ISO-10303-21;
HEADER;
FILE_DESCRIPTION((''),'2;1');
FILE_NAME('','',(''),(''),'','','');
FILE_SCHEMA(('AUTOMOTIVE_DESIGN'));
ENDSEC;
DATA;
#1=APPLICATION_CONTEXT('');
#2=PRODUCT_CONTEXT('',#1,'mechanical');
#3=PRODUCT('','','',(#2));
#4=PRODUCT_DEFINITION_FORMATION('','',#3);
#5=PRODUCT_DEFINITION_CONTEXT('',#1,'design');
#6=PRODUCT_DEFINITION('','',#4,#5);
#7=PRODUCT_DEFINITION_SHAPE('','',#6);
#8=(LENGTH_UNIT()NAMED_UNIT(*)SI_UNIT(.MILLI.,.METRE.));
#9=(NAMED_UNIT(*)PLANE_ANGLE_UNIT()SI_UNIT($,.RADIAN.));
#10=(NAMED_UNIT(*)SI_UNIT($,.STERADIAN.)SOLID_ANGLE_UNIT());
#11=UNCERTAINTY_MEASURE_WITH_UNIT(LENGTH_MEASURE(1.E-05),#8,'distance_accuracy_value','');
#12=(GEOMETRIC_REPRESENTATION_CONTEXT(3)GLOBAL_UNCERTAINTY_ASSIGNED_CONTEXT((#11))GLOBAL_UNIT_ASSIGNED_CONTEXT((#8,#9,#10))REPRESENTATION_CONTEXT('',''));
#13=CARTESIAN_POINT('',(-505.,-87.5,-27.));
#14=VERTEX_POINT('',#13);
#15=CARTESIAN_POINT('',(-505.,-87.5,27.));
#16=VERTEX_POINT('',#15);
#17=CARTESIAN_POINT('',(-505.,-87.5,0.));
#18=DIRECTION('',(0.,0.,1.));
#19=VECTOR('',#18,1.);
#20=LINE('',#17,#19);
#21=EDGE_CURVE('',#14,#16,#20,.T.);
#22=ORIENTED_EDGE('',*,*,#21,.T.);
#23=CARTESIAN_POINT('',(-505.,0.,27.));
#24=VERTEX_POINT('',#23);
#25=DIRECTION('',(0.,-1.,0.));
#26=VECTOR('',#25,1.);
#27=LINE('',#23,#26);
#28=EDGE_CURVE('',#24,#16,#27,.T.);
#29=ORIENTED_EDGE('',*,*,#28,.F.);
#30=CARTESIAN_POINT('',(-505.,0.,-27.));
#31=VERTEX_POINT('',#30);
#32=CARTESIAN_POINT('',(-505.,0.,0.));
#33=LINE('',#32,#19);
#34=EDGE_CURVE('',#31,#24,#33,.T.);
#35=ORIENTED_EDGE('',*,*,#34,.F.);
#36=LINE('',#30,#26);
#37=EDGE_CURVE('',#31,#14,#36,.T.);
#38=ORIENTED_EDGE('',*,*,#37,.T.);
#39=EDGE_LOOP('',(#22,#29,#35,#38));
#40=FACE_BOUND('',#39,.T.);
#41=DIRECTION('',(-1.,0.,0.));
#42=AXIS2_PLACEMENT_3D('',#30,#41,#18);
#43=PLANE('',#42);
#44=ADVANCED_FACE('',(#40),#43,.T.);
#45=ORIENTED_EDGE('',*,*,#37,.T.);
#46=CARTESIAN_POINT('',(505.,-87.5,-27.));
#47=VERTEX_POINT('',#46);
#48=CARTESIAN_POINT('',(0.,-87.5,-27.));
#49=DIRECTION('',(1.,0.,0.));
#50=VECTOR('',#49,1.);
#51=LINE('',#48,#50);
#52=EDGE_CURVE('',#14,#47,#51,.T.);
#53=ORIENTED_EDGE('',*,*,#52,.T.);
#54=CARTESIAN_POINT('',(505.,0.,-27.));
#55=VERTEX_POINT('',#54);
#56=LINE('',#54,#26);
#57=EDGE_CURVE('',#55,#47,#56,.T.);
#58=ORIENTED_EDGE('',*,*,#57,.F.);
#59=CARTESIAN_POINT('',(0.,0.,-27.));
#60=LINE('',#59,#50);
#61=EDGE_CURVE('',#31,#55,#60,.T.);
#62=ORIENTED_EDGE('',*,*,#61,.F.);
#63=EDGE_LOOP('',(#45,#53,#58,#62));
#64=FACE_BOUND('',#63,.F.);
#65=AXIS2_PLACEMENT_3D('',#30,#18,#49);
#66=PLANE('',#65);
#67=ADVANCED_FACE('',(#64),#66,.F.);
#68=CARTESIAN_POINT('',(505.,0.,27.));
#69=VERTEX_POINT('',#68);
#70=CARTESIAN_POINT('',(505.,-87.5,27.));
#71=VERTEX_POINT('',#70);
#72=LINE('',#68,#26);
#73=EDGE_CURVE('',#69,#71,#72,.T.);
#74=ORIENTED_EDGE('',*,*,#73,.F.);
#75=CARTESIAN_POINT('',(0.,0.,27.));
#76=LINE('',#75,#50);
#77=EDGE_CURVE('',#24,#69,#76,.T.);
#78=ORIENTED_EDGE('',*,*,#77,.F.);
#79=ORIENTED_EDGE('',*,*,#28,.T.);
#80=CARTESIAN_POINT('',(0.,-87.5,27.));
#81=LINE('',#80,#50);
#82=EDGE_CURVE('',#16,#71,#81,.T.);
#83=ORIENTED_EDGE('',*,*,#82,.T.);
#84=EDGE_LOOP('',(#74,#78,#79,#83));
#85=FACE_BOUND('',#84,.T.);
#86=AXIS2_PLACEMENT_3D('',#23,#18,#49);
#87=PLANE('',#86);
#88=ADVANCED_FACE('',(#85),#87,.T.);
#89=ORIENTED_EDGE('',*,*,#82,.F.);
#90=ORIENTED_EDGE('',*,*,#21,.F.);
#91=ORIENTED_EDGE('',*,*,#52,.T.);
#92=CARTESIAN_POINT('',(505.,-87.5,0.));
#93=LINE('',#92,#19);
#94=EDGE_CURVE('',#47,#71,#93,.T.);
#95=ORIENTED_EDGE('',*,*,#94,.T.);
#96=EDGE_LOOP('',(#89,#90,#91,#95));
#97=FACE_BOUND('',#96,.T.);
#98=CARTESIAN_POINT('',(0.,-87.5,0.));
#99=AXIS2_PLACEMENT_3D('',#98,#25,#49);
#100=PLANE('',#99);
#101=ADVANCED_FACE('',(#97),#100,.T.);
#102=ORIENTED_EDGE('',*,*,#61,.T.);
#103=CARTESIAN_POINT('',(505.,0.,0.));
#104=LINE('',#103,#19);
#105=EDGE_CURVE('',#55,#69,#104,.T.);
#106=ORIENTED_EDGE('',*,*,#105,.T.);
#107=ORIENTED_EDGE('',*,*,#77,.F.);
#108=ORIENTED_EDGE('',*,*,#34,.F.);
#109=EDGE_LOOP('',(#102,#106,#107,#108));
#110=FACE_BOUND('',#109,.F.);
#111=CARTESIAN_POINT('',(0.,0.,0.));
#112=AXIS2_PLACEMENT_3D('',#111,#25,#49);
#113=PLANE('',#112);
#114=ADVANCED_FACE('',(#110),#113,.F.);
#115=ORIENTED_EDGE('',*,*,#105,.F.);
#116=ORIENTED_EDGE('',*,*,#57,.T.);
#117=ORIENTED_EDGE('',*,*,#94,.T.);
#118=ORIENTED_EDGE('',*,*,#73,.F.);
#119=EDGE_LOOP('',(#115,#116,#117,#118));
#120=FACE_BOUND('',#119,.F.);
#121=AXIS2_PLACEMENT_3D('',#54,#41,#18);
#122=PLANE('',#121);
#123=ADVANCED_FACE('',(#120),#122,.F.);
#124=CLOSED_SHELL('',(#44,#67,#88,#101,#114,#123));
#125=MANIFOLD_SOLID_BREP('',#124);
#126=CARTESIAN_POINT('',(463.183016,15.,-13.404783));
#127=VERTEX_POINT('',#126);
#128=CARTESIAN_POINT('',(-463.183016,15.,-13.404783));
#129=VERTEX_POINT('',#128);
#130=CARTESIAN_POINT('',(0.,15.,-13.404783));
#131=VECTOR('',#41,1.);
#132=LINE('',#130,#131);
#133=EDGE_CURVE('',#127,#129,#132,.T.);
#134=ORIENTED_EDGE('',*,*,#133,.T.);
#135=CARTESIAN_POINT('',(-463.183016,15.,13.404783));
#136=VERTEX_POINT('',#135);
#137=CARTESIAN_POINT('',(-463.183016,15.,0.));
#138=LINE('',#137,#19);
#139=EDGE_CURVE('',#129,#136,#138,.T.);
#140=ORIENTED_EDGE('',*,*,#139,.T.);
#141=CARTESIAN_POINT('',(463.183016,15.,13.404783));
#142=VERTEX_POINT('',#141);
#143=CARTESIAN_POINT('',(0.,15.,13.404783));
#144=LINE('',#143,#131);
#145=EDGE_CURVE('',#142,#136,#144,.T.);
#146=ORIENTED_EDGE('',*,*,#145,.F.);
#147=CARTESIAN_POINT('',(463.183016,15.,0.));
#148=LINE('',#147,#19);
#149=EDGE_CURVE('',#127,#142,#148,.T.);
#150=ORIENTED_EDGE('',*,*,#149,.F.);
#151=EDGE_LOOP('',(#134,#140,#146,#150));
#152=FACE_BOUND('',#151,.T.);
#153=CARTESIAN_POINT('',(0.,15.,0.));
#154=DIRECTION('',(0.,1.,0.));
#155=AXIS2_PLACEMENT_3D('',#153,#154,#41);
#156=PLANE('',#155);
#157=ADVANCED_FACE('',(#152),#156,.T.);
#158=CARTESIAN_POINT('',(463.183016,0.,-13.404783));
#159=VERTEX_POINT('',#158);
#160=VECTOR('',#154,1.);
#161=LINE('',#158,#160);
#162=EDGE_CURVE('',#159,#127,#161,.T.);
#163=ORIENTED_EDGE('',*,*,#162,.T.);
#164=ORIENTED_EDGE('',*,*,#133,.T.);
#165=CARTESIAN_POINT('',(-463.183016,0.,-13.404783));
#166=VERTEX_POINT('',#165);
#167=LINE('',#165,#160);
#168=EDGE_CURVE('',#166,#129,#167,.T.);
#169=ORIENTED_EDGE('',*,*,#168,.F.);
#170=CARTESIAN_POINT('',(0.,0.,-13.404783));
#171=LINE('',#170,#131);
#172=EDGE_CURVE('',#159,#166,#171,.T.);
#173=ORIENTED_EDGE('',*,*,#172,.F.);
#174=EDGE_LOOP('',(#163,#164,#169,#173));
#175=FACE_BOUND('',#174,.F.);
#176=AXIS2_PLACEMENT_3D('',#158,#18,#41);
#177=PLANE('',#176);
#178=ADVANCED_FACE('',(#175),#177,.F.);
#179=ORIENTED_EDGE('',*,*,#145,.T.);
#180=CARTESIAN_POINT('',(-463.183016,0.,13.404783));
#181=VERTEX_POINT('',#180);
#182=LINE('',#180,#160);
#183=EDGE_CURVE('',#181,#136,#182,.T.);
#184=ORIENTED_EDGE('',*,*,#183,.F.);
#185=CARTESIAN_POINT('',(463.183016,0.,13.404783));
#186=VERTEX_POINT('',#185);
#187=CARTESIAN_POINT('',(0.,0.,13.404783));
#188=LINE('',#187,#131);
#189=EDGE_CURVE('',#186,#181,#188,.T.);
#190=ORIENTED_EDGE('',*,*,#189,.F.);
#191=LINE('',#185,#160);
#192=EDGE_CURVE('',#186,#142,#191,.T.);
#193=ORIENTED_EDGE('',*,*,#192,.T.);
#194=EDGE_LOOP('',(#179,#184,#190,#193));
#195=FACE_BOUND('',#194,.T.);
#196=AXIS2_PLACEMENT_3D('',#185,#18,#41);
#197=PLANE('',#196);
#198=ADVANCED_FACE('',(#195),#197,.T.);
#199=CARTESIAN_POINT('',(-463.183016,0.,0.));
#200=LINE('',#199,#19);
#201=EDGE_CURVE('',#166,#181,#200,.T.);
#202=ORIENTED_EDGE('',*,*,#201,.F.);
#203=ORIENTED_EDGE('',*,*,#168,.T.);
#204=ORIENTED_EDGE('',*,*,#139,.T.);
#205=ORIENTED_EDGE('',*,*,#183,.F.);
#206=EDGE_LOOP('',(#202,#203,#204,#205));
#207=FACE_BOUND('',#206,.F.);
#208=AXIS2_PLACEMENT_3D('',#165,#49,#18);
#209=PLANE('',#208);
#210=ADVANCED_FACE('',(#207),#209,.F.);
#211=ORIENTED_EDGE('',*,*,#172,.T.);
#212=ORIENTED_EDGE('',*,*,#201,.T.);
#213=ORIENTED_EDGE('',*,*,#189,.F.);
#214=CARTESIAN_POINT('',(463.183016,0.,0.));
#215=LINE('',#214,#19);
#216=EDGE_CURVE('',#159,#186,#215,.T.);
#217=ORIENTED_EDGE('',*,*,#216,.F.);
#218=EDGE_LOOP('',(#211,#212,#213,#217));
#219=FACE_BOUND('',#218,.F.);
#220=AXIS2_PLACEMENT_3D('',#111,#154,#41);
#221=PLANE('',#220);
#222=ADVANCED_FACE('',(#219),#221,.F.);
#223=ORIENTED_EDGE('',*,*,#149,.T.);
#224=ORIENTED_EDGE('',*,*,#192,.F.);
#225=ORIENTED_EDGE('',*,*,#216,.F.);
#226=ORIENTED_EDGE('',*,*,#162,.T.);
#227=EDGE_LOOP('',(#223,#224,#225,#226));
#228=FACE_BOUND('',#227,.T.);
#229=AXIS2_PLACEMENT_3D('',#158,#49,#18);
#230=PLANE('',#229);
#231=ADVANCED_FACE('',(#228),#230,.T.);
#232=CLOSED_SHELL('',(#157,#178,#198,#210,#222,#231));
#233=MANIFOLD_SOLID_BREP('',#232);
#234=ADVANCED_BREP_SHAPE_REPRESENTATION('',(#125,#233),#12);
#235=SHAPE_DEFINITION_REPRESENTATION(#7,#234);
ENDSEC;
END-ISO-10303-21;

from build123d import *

# Parameters (mm, degrees)
F0_W     = 1010
F0_H     = 54
F1_DEPTH = 87.5
F2_W     = 926.366032
F2_H     = 26.809566
F3_DEPTH = 15


with BuildPart() as f1:
    # F0 (on Front) → F1 (new body)
    with BuildSketch(Plane.XZ):
        Rectangle(F0_W, F0_H)
    extrude(amount=F1_DEPTH)


with BuildPart() as f3:
    # F2 (on face) → F3 (new body)
    with BuildSketch(Plane(origin=(0, 0, 0), x_dir=(-1, 0, 0), z_dir=(0, 1, 0))):
        Rectangle(F2_W, F2_H)
    extrude(amount=F3_DEPTH)


solid = Compound([f1.part, f3.part])
